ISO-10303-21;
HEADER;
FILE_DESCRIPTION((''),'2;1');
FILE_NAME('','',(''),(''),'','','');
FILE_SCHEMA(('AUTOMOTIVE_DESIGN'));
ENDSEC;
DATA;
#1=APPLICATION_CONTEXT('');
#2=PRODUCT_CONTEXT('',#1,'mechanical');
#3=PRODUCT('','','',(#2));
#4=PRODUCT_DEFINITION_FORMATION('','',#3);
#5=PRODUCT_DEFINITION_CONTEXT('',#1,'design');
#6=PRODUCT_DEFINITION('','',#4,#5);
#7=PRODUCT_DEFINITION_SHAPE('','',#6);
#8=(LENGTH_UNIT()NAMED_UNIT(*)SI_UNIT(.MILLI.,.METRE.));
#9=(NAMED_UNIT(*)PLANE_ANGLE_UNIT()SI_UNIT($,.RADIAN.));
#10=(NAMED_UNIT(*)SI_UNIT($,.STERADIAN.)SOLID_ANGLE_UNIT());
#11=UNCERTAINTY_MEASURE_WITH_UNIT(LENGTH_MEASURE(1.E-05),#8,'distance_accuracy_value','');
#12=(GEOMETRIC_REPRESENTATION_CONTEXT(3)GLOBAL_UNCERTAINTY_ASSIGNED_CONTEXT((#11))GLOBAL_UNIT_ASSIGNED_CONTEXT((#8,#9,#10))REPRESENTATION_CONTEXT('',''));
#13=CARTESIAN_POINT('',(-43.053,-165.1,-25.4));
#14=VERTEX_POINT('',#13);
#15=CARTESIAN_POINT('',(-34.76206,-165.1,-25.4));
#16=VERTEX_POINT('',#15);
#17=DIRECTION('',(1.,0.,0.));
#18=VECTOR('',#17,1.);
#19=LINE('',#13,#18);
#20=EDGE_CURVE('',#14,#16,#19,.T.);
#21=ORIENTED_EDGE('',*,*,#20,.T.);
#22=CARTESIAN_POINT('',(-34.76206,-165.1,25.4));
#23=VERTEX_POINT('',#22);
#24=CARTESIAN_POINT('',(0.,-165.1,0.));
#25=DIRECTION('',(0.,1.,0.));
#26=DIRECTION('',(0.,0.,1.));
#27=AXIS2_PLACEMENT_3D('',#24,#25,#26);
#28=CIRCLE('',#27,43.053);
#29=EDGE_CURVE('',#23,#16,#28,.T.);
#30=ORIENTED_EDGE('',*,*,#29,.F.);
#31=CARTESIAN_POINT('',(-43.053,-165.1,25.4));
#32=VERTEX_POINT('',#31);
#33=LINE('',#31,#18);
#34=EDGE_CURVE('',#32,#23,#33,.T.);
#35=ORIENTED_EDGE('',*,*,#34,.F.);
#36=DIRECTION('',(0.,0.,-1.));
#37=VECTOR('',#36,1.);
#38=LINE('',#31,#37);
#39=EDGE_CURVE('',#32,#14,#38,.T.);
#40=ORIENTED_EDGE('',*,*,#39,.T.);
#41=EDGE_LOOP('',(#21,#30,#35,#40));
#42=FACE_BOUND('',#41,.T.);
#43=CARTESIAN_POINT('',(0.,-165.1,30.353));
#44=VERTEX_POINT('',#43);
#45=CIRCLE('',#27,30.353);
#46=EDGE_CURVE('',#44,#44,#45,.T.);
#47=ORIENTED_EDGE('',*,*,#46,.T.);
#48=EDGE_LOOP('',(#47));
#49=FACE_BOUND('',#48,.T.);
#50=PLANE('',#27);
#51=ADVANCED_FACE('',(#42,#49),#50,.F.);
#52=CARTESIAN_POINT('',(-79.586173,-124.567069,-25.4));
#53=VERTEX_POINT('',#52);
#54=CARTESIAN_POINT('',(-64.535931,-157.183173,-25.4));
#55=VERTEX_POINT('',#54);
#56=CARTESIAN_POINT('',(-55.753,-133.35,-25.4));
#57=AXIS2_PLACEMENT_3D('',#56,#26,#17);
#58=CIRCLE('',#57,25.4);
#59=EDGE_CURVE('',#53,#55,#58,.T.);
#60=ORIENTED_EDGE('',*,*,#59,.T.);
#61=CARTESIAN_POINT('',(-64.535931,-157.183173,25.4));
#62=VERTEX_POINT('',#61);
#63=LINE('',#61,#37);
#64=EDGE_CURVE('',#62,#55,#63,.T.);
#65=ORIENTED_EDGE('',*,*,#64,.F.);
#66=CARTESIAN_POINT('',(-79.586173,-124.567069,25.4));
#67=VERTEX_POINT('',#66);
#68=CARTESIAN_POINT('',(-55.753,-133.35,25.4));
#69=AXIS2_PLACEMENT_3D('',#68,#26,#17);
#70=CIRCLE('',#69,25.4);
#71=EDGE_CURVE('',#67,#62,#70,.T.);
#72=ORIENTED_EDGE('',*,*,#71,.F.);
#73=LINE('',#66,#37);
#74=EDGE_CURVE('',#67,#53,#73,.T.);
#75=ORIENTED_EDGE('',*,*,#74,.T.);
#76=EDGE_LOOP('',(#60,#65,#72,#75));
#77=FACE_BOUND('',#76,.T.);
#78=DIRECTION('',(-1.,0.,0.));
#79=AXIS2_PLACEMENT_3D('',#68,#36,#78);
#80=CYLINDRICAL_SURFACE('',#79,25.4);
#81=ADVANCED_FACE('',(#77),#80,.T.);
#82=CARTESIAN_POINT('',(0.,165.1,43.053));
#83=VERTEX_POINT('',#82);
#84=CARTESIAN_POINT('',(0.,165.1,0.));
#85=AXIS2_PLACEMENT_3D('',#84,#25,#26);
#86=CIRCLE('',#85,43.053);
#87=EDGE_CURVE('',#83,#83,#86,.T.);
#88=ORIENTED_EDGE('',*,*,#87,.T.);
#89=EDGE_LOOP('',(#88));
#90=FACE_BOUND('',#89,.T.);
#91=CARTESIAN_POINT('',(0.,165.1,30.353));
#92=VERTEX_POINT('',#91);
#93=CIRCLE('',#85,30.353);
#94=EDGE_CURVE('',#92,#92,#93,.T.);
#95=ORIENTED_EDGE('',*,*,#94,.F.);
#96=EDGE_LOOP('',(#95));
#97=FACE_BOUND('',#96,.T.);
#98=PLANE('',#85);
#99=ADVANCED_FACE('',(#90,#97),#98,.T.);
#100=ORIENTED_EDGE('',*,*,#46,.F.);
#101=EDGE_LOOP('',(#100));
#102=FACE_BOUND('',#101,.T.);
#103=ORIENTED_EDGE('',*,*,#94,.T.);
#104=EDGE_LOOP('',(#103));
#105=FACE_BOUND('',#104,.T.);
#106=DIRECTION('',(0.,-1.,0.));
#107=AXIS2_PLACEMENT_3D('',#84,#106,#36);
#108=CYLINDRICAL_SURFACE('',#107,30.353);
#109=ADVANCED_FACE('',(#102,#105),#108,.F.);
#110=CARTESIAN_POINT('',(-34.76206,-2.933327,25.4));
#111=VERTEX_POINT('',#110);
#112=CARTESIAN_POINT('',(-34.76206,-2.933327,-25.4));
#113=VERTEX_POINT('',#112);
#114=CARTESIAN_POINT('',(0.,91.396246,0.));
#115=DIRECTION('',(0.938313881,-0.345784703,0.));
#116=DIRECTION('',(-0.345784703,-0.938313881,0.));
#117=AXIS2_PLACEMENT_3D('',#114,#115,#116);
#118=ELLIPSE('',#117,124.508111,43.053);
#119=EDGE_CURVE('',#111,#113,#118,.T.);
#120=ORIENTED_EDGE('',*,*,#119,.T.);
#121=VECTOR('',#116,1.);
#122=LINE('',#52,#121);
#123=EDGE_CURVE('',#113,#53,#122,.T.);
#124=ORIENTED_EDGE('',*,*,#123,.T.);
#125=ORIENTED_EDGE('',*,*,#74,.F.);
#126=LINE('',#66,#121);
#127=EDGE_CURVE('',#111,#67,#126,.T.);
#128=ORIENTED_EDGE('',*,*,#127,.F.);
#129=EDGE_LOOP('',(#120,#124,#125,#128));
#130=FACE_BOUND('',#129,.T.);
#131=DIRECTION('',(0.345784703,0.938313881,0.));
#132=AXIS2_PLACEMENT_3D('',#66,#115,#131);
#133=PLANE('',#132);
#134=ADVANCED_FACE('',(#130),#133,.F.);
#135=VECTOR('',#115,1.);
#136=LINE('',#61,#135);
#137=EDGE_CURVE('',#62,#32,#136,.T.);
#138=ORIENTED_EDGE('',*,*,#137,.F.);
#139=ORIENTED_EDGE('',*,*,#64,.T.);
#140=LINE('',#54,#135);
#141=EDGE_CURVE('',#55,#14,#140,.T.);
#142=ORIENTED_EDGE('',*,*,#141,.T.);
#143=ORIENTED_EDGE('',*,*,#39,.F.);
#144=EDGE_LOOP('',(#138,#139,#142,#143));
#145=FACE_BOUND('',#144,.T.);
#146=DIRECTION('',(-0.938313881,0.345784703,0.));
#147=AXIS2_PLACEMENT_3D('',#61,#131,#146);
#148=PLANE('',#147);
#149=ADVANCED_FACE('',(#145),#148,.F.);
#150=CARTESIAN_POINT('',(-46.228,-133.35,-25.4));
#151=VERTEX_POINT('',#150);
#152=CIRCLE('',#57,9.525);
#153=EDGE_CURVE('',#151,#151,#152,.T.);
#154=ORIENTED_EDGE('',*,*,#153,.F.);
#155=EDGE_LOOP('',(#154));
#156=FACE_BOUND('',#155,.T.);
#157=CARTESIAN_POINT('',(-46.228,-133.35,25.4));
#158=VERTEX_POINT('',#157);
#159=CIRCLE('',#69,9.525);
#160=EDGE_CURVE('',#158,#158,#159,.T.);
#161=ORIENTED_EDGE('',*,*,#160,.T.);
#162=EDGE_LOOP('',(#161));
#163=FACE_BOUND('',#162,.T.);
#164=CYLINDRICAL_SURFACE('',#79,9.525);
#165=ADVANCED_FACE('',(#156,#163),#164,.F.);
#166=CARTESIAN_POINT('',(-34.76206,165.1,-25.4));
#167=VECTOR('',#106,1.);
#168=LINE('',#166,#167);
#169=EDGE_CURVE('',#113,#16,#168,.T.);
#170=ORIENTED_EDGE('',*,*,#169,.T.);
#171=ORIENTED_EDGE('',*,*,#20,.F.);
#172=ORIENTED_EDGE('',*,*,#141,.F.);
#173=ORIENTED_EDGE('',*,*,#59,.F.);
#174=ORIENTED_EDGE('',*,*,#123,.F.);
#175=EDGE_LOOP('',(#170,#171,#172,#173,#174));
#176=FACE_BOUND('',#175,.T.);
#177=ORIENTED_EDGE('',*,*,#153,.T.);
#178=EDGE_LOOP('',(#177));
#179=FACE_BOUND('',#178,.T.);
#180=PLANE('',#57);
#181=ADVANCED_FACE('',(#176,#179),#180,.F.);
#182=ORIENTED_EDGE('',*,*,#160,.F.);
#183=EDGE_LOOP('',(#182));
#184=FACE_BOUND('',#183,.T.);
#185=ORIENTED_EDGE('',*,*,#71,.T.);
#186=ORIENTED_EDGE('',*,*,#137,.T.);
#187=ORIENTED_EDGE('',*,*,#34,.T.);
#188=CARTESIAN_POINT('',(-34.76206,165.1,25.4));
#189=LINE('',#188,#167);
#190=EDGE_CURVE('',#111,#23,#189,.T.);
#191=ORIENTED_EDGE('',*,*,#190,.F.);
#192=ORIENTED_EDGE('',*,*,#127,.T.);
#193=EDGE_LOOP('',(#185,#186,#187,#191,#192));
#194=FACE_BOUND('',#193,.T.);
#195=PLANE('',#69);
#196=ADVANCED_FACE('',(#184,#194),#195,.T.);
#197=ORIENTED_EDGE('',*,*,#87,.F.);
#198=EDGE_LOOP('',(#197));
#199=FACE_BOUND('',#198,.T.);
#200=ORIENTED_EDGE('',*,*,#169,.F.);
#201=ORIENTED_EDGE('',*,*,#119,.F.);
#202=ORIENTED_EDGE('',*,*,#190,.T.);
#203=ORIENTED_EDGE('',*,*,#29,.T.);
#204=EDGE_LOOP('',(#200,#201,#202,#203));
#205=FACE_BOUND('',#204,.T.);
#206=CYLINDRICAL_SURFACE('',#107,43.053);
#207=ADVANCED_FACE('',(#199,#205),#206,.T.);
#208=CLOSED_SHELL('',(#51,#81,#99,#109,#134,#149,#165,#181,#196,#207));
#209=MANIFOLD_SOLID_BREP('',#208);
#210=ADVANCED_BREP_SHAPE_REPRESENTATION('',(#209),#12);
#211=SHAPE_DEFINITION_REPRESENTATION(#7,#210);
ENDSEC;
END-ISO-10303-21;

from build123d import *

# Parameters (mm, degrees)
SKETCH1_R           = 43.053
SKETCH1_R_2         = 30.353
BOSS_EXTRUDE1_DEPTH = 165.1
SKETCH2_R           = 9.525
BOSS_EXTRUDE2_DEPTH = 25.4


with BuildPart() as part:
    # Sketch1 → Boss-Extrude1 (new, symmetric)
    with BuildSketch(Plane(origin=(0, 0, 0), x_dir=(1, 0, 0), z_dir=(0, 1, 0))):
        with Locations(Location((0, 0, 0), (0, 0, 270))):
            Circle(SKETCH1_R)
        with Locations(Location((0, 0, 0), (0, 0, 270))):
            Circle(SKETCH1_R_2, mode=Mode.SUBTRACT)
    extrude(amount=BOSS_EXTRUDE1_DEPTH, both=True)

    # Sketch2 → Boss-Extrude2 (add, symmetric)
    with BuildSketch(Plane.XY):
        with BuildLine():
            Line((-64.535931448, -157.183172579), (-43.053, -165.1))
            Line((-43.053, -165.1), (-30.353, -165.1))
            Line((-30.353, -165.1), (-30.353, 9.031002397))
            Line((-30.353, 9.031002397), (-79.586172579, -124.567068552))
            ThreePointArc((-79.586172579, -124.567068552), (-78.816068333, -143.992127562), (-64.535931448, -157.183172579))
        make_face()
        with Locations((-55.753, -133.35)):
            Circle(SKETCH2_R, mode=Mode.SUBTRACT)
    extrude(amount=BOSS_EXTRUDE2_DEPTH, both=True)


solid = part.part
